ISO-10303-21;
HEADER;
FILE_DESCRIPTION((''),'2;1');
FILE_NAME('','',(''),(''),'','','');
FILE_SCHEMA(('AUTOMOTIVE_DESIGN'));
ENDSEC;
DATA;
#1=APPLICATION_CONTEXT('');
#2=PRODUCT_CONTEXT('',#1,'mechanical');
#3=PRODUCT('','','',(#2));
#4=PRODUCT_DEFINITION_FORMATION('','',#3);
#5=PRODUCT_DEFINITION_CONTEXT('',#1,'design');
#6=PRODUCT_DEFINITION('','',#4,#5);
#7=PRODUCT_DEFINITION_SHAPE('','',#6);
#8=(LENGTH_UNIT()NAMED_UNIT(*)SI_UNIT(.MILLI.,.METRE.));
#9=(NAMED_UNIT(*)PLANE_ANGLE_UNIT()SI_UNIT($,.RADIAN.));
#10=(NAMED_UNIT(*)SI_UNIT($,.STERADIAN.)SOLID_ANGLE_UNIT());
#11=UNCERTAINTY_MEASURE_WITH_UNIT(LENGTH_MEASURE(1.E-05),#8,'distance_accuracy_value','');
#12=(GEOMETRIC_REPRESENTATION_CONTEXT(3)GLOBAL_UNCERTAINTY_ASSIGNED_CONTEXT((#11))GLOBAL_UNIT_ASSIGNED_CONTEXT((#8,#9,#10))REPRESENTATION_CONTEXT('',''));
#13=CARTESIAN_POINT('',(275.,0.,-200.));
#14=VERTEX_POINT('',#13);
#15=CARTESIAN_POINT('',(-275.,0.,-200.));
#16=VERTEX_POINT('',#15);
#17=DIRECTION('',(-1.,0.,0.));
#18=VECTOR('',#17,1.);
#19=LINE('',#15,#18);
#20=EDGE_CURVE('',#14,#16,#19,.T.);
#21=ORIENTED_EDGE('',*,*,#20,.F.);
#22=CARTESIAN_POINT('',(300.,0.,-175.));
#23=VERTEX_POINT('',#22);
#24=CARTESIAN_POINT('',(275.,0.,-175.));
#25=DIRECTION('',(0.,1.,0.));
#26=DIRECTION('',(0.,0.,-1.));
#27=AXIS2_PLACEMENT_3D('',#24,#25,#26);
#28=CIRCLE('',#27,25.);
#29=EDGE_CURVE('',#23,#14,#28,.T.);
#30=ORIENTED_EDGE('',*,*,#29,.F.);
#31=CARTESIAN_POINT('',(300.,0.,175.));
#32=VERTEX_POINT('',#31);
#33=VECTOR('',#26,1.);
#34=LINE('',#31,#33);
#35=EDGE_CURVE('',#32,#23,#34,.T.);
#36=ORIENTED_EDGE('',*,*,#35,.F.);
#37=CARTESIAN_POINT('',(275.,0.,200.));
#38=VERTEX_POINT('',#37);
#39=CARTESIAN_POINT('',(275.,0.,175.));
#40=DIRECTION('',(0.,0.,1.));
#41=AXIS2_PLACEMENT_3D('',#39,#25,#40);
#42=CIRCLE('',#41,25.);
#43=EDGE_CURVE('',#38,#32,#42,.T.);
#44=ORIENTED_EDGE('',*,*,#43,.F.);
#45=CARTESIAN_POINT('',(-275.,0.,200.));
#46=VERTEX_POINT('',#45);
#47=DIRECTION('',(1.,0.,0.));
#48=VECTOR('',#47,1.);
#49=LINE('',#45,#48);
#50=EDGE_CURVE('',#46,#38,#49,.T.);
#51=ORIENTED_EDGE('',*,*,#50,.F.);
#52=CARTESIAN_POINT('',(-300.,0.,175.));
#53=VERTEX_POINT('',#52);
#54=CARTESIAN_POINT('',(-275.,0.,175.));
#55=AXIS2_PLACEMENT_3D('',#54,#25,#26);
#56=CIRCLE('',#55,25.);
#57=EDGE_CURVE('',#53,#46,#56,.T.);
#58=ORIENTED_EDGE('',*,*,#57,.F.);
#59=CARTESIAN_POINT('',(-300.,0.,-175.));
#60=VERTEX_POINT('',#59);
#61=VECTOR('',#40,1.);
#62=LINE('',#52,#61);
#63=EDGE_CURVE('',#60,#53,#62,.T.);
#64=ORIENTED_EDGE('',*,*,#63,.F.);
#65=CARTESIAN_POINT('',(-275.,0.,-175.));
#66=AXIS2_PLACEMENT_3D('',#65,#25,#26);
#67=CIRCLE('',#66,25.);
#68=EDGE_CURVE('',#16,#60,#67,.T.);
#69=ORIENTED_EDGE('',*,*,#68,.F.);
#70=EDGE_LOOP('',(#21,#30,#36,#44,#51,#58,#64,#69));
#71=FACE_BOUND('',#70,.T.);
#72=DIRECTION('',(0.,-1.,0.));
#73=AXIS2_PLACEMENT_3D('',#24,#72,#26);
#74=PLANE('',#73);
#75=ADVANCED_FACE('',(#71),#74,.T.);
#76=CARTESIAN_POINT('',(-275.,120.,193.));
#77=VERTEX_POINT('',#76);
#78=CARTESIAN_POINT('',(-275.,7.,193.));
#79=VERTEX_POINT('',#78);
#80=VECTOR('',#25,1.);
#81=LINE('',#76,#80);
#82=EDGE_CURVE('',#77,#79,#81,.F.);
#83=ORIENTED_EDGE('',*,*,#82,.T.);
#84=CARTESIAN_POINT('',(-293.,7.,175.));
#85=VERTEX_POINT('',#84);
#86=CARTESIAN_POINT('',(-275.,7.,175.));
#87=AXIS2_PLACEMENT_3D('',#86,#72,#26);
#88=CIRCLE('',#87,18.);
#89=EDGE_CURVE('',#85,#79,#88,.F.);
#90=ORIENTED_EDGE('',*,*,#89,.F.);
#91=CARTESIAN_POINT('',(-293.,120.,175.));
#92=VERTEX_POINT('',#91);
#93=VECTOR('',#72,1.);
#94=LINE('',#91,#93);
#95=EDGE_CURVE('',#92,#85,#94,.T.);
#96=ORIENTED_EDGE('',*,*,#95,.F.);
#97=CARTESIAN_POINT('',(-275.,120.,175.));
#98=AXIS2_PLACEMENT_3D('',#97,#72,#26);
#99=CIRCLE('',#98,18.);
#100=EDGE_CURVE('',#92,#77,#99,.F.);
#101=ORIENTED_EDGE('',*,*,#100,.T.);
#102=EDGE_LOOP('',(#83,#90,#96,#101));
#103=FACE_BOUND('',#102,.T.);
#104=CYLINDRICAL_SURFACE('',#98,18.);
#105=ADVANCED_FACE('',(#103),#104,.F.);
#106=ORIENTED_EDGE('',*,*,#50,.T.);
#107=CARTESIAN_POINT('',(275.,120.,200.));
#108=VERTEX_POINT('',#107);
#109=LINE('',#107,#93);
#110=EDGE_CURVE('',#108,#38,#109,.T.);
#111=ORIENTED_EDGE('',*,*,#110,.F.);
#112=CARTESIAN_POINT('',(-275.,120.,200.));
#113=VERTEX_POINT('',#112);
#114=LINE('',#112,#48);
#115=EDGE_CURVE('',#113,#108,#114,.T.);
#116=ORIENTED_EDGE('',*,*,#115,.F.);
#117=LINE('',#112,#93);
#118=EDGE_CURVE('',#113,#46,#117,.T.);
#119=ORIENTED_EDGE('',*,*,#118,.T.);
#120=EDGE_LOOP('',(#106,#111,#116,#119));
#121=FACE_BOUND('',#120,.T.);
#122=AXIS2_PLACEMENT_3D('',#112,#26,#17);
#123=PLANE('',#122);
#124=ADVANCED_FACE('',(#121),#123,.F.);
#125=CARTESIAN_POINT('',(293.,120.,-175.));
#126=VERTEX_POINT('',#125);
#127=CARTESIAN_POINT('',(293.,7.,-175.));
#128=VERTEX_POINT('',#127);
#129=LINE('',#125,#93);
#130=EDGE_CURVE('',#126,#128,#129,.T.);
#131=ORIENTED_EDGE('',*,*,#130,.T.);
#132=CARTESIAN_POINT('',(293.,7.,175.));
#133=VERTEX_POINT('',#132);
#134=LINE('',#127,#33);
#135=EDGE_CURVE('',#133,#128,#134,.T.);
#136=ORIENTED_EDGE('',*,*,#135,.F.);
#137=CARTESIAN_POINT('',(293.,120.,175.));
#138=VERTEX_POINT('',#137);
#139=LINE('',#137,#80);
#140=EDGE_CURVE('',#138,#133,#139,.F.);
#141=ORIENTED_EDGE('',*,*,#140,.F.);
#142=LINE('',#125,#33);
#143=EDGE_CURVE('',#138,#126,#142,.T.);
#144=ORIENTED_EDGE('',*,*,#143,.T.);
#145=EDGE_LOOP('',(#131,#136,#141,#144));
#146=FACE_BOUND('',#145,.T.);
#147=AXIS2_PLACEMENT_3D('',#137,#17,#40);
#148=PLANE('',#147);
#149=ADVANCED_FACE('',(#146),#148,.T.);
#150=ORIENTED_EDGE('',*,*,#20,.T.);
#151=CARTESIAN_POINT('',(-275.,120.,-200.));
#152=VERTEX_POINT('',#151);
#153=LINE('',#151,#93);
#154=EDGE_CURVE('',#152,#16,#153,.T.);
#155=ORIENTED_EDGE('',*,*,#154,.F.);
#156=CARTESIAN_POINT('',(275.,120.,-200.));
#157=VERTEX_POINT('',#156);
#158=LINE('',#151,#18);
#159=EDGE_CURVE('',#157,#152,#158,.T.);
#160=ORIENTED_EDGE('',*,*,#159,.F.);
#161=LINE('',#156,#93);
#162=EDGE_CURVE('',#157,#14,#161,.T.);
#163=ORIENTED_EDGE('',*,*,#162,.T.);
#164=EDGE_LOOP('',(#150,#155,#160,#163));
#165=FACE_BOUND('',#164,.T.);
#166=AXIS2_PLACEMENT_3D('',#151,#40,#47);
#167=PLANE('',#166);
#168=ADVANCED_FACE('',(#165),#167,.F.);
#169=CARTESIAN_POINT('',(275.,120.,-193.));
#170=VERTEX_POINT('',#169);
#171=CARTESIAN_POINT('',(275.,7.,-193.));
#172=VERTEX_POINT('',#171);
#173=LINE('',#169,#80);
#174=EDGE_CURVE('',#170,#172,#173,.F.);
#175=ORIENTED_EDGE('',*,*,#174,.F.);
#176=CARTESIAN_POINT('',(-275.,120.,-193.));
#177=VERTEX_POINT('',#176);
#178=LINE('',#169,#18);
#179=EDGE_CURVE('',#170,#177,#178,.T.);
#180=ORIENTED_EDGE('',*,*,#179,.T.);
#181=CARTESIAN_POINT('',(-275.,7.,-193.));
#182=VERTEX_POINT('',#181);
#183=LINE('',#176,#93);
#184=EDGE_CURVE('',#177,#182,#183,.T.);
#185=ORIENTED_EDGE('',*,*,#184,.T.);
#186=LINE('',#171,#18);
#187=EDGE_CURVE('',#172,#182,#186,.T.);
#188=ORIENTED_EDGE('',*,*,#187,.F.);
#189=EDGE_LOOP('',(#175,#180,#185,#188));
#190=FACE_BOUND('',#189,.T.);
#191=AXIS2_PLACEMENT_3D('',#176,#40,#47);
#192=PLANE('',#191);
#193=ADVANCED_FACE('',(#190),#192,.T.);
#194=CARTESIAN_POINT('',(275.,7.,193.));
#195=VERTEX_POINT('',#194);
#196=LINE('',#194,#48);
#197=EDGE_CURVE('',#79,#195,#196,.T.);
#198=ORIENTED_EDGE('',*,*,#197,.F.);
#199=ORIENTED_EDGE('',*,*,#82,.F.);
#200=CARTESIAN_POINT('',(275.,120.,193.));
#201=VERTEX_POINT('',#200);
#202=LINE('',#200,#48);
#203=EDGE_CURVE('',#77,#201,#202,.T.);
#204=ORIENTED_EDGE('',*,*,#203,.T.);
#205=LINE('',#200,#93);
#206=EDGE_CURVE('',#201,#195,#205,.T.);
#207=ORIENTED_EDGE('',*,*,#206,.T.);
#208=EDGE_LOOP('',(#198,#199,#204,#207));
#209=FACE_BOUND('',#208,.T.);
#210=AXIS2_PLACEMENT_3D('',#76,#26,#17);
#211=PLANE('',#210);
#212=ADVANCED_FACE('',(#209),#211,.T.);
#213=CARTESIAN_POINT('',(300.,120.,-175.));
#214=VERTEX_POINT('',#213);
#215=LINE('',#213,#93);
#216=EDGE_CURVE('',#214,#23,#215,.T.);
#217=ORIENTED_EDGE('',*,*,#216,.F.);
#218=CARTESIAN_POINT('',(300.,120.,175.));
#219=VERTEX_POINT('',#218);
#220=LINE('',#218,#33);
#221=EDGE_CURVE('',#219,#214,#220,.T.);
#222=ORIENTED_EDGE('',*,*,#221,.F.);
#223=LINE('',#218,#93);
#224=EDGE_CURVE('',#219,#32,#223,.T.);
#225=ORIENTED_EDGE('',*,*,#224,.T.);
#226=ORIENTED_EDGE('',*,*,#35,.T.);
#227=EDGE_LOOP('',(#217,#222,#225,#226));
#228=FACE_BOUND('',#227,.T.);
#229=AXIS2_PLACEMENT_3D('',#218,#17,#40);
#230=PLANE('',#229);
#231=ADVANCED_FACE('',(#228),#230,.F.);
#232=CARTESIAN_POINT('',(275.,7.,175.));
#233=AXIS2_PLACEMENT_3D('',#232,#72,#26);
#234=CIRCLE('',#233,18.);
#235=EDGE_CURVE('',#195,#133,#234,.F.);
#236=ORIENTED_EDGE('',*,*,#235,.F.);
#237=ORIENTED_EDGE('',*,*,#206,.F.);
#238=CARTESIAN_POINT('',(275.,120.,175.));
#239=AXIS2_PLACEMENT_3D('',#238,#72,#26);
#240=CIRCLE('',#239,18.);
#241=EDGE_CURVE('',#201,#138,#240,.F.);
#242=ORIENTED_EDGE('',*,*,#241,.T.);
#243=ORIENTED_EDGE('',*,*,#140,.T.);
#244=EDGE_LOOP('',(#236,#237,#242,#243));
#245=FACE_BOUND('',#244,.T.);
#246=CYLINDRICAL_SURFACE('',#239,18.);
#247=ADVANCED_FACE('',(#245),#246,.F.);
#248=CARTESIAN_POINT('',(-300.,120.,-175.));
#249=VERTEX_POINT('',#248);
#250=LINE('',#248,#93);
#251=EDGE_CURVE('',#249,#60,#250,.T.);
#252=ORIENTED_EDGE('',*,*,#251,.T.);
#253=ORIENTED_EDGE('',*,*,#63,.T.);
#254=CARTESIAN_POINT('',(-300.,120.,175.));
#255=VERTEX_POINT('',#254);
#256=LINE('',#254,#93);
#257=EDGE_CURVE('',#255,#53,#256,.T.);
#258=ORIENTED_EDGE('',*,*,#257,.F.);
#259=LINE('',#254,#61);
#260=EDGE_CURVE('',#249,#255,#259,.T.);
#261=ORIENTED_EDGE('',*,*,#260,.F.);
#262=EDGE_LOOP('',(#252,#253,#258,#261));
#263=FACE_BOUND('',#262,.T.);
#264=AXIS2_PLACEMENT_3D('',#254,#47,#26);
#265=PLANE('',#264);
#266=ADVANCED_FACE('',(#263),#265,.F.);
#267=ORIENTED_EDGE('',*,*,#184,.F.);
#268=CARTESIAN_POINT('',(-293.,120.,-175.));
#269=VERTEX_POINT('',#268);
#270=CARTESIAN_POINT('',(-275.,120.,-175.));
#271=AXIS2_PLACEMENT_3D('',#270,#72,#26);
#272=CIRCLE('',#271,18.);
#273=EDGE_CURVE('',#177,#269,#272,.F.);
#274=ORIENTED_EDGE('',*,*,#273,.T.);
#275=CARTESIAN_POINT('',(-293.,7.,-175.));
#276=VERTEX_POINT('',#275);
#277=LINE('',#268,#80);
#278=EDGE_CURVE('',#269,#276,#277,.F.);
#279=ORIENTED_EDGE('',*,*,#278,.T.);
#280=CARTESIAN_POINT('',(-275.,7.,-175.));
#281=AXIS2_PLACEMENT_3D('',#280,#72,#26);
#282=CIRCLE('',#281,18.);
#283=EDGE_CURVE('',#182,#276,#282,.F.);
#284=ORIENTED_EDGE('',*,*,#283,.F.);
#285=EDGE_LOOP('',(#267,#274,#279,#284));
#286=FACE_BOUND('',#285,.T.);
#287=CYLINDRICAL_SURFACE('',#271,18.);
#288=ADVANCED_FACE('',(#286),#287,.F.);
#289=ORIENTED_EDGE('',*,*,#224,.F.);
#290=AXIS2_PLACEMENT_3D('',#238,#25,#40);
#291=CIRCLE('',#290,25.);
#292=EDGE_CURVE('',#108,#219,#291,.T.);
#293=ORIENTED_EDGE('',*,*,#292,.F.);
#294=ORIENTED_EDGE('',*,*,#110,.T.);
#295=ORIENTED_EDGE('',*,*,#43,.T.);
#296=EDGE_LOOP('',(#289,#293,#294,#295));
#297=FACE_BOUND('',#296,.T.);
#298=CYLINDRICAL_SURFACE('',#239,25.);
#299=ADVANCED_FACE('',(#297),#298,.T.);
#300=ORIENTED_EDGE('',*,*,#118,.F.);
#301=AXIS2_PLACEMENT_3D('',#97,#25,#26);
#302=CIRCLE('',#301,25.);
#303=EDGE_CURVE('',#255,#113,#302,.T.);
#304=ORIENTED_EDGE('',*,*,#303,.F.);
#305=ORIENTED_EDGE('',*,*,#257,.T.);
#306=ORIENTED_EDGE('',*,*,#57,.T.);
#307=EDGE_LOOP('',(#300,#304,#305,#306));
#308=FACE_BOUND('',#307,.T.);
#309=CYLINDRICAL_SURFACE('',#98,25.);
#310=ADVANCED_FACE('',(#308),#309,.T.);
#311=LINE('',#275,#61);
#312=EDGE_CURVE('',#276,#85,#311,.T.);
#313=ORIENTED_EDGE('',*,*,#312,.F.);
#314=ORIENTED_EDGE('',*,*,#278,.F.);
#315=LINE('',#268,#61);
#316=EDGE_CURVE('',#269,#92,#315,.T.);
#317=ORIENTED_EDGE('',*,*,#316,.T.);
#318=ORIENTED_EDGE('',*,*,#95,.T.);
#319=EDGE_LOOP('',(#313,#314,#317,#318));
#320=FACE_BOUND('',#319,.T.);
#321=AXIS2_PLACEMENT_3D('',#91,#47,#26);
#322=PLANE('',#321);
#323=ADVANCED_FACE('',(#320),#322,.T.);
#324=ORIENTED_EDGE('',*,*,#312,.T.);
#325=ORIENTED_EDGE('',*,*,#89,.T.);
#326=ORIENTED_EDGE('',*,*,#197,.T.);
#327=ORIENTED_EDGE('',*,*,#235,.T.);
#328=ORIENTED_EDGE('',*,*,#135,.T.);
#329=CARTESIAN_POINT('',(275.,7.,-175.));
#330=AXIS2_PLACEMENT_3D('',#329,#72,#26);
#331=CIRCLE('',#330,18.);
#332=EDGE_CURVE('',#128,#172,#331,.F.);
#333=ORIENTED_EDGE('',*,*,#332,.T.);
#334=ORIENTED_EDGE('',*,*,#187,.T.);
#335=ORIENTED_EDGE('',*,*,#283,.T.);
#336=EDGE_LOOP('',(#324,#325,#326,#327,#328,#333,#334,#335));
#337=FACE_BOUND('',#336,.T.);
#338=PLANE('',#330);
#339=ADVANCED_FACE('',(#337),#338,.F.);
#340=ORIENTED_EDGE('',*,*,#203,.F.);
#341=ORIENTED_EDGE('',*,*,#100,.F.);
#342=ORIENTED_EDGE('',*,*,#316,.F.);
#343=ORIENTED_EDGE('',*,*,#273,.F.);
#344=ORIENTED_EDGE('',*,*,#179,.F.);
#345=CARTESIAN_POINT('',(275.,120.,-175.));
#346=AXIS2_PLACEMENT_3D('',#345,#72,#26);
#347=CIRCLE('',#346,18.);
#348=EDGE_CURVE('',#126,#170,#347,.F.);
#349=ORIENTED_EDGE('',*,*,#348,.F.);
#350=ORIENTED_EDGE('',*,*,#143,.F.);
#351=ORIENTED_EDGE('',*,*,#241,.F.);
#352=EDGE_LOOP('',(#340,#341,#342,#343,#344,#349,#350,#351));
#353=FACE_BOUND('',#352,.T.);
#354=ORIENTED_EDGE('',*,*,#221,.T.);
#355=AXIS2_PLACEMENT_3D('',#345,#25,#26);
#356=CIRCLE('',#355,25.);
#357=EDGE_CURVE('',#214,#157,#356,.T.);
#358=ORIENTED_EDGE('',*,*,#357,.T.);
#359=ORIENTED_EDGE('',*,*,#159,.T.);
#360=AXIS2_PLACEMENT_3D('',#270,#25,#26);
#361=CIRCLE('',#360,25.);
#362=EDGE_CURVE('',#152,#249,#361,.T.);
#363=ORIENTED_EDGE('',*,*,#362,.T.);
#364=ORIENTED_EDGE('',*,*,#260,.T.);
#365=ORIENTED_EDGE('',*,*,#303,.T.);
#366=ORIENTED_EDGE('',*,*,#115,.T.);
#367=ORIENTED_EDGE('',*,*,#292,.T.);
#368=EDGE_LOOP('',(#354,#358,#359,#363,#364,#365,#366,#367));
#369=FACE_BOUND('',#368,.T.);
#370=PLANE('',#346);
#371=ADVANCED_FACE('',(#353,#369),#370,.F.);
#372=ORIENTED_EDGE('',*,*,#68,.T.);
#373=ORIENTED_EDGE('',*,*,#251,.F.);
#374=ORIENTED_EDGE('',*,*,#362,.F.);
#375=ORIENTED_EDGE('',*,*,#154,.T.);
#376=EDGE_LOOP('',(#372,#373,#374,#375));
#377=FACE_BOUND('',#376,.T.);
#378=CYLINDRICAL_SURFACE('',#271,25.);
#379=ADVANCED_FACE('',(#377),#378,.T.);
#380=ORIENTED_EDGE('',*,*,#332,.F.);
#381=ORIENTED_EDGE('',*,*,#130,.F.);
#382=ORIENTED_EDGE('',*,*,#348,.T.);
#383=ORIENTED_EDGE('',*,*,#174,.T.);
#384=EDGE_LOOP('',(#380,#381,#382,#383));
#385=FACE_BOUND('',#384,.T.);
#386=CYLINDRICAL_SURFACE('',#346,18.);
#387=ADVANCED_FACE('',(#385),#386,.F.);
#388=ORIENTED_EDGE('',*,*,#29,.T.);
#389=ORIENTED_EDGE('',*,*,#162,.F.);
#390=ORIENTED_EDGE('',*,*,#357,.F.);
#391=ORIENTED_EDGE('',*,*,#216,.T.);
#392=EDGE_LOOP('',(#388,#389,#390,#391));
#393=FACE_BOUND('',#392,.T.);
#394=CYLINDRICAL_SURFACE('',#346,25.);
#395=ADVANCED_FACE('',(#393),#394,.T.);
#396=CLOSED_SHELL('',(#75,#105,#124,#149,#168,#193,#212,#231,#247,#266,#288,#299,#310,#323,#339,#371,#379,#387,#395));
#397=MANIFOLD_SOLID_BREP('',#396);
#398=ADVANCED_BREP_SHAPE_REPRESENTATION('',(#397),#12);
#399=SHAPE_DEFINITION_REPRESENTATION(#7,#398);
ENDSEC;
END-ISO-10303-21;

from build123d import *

# Parameters (mm, degrees)
BOSS_EXTRUDE1_DEPTH = 120
SHELL1_T            = -7


with BuildPart() as part:
    # Sketch1 → Boss-Extrude1 (new body)
    with BuildSketch(Plane(origin=(0, 0, 0), x_dir=(1, 0, 0), z_dir=(0, 1, 0))):
        with BuildLine():
            Line((-275, -200), (275, -200))
            ThreePointArc((275, -200), (292.67766953, -192.67766953), (300, -175))
            Line((300, -175), (300, 175))
            ThreePointArc((300, 175), (292.67766953, 192.67766953), (275, 200))
            Line((275, 200), (-275, 200))
            ThreePointArc((-275, 200), (-292.67766953, 192.67766953), (-300, 175))
            Line((-300, 175), (-300, -175))
            ThreePointArc((-300, -175), (-292.67766953, -192.67766953), (-275, -200))
        make_face()
    extrude(amount=BOSS_EXTRUDE1_DEPTH)

    # Shell1
    shell1_openings = [part.faces().sort_by_distance(p)[0] for p in [
        (0, 120, 0),
    ]]
    offset(amount=SHELL1_T, openings=shell1_openings, kind=Kind.INTERSECTION)


solid = part.part
